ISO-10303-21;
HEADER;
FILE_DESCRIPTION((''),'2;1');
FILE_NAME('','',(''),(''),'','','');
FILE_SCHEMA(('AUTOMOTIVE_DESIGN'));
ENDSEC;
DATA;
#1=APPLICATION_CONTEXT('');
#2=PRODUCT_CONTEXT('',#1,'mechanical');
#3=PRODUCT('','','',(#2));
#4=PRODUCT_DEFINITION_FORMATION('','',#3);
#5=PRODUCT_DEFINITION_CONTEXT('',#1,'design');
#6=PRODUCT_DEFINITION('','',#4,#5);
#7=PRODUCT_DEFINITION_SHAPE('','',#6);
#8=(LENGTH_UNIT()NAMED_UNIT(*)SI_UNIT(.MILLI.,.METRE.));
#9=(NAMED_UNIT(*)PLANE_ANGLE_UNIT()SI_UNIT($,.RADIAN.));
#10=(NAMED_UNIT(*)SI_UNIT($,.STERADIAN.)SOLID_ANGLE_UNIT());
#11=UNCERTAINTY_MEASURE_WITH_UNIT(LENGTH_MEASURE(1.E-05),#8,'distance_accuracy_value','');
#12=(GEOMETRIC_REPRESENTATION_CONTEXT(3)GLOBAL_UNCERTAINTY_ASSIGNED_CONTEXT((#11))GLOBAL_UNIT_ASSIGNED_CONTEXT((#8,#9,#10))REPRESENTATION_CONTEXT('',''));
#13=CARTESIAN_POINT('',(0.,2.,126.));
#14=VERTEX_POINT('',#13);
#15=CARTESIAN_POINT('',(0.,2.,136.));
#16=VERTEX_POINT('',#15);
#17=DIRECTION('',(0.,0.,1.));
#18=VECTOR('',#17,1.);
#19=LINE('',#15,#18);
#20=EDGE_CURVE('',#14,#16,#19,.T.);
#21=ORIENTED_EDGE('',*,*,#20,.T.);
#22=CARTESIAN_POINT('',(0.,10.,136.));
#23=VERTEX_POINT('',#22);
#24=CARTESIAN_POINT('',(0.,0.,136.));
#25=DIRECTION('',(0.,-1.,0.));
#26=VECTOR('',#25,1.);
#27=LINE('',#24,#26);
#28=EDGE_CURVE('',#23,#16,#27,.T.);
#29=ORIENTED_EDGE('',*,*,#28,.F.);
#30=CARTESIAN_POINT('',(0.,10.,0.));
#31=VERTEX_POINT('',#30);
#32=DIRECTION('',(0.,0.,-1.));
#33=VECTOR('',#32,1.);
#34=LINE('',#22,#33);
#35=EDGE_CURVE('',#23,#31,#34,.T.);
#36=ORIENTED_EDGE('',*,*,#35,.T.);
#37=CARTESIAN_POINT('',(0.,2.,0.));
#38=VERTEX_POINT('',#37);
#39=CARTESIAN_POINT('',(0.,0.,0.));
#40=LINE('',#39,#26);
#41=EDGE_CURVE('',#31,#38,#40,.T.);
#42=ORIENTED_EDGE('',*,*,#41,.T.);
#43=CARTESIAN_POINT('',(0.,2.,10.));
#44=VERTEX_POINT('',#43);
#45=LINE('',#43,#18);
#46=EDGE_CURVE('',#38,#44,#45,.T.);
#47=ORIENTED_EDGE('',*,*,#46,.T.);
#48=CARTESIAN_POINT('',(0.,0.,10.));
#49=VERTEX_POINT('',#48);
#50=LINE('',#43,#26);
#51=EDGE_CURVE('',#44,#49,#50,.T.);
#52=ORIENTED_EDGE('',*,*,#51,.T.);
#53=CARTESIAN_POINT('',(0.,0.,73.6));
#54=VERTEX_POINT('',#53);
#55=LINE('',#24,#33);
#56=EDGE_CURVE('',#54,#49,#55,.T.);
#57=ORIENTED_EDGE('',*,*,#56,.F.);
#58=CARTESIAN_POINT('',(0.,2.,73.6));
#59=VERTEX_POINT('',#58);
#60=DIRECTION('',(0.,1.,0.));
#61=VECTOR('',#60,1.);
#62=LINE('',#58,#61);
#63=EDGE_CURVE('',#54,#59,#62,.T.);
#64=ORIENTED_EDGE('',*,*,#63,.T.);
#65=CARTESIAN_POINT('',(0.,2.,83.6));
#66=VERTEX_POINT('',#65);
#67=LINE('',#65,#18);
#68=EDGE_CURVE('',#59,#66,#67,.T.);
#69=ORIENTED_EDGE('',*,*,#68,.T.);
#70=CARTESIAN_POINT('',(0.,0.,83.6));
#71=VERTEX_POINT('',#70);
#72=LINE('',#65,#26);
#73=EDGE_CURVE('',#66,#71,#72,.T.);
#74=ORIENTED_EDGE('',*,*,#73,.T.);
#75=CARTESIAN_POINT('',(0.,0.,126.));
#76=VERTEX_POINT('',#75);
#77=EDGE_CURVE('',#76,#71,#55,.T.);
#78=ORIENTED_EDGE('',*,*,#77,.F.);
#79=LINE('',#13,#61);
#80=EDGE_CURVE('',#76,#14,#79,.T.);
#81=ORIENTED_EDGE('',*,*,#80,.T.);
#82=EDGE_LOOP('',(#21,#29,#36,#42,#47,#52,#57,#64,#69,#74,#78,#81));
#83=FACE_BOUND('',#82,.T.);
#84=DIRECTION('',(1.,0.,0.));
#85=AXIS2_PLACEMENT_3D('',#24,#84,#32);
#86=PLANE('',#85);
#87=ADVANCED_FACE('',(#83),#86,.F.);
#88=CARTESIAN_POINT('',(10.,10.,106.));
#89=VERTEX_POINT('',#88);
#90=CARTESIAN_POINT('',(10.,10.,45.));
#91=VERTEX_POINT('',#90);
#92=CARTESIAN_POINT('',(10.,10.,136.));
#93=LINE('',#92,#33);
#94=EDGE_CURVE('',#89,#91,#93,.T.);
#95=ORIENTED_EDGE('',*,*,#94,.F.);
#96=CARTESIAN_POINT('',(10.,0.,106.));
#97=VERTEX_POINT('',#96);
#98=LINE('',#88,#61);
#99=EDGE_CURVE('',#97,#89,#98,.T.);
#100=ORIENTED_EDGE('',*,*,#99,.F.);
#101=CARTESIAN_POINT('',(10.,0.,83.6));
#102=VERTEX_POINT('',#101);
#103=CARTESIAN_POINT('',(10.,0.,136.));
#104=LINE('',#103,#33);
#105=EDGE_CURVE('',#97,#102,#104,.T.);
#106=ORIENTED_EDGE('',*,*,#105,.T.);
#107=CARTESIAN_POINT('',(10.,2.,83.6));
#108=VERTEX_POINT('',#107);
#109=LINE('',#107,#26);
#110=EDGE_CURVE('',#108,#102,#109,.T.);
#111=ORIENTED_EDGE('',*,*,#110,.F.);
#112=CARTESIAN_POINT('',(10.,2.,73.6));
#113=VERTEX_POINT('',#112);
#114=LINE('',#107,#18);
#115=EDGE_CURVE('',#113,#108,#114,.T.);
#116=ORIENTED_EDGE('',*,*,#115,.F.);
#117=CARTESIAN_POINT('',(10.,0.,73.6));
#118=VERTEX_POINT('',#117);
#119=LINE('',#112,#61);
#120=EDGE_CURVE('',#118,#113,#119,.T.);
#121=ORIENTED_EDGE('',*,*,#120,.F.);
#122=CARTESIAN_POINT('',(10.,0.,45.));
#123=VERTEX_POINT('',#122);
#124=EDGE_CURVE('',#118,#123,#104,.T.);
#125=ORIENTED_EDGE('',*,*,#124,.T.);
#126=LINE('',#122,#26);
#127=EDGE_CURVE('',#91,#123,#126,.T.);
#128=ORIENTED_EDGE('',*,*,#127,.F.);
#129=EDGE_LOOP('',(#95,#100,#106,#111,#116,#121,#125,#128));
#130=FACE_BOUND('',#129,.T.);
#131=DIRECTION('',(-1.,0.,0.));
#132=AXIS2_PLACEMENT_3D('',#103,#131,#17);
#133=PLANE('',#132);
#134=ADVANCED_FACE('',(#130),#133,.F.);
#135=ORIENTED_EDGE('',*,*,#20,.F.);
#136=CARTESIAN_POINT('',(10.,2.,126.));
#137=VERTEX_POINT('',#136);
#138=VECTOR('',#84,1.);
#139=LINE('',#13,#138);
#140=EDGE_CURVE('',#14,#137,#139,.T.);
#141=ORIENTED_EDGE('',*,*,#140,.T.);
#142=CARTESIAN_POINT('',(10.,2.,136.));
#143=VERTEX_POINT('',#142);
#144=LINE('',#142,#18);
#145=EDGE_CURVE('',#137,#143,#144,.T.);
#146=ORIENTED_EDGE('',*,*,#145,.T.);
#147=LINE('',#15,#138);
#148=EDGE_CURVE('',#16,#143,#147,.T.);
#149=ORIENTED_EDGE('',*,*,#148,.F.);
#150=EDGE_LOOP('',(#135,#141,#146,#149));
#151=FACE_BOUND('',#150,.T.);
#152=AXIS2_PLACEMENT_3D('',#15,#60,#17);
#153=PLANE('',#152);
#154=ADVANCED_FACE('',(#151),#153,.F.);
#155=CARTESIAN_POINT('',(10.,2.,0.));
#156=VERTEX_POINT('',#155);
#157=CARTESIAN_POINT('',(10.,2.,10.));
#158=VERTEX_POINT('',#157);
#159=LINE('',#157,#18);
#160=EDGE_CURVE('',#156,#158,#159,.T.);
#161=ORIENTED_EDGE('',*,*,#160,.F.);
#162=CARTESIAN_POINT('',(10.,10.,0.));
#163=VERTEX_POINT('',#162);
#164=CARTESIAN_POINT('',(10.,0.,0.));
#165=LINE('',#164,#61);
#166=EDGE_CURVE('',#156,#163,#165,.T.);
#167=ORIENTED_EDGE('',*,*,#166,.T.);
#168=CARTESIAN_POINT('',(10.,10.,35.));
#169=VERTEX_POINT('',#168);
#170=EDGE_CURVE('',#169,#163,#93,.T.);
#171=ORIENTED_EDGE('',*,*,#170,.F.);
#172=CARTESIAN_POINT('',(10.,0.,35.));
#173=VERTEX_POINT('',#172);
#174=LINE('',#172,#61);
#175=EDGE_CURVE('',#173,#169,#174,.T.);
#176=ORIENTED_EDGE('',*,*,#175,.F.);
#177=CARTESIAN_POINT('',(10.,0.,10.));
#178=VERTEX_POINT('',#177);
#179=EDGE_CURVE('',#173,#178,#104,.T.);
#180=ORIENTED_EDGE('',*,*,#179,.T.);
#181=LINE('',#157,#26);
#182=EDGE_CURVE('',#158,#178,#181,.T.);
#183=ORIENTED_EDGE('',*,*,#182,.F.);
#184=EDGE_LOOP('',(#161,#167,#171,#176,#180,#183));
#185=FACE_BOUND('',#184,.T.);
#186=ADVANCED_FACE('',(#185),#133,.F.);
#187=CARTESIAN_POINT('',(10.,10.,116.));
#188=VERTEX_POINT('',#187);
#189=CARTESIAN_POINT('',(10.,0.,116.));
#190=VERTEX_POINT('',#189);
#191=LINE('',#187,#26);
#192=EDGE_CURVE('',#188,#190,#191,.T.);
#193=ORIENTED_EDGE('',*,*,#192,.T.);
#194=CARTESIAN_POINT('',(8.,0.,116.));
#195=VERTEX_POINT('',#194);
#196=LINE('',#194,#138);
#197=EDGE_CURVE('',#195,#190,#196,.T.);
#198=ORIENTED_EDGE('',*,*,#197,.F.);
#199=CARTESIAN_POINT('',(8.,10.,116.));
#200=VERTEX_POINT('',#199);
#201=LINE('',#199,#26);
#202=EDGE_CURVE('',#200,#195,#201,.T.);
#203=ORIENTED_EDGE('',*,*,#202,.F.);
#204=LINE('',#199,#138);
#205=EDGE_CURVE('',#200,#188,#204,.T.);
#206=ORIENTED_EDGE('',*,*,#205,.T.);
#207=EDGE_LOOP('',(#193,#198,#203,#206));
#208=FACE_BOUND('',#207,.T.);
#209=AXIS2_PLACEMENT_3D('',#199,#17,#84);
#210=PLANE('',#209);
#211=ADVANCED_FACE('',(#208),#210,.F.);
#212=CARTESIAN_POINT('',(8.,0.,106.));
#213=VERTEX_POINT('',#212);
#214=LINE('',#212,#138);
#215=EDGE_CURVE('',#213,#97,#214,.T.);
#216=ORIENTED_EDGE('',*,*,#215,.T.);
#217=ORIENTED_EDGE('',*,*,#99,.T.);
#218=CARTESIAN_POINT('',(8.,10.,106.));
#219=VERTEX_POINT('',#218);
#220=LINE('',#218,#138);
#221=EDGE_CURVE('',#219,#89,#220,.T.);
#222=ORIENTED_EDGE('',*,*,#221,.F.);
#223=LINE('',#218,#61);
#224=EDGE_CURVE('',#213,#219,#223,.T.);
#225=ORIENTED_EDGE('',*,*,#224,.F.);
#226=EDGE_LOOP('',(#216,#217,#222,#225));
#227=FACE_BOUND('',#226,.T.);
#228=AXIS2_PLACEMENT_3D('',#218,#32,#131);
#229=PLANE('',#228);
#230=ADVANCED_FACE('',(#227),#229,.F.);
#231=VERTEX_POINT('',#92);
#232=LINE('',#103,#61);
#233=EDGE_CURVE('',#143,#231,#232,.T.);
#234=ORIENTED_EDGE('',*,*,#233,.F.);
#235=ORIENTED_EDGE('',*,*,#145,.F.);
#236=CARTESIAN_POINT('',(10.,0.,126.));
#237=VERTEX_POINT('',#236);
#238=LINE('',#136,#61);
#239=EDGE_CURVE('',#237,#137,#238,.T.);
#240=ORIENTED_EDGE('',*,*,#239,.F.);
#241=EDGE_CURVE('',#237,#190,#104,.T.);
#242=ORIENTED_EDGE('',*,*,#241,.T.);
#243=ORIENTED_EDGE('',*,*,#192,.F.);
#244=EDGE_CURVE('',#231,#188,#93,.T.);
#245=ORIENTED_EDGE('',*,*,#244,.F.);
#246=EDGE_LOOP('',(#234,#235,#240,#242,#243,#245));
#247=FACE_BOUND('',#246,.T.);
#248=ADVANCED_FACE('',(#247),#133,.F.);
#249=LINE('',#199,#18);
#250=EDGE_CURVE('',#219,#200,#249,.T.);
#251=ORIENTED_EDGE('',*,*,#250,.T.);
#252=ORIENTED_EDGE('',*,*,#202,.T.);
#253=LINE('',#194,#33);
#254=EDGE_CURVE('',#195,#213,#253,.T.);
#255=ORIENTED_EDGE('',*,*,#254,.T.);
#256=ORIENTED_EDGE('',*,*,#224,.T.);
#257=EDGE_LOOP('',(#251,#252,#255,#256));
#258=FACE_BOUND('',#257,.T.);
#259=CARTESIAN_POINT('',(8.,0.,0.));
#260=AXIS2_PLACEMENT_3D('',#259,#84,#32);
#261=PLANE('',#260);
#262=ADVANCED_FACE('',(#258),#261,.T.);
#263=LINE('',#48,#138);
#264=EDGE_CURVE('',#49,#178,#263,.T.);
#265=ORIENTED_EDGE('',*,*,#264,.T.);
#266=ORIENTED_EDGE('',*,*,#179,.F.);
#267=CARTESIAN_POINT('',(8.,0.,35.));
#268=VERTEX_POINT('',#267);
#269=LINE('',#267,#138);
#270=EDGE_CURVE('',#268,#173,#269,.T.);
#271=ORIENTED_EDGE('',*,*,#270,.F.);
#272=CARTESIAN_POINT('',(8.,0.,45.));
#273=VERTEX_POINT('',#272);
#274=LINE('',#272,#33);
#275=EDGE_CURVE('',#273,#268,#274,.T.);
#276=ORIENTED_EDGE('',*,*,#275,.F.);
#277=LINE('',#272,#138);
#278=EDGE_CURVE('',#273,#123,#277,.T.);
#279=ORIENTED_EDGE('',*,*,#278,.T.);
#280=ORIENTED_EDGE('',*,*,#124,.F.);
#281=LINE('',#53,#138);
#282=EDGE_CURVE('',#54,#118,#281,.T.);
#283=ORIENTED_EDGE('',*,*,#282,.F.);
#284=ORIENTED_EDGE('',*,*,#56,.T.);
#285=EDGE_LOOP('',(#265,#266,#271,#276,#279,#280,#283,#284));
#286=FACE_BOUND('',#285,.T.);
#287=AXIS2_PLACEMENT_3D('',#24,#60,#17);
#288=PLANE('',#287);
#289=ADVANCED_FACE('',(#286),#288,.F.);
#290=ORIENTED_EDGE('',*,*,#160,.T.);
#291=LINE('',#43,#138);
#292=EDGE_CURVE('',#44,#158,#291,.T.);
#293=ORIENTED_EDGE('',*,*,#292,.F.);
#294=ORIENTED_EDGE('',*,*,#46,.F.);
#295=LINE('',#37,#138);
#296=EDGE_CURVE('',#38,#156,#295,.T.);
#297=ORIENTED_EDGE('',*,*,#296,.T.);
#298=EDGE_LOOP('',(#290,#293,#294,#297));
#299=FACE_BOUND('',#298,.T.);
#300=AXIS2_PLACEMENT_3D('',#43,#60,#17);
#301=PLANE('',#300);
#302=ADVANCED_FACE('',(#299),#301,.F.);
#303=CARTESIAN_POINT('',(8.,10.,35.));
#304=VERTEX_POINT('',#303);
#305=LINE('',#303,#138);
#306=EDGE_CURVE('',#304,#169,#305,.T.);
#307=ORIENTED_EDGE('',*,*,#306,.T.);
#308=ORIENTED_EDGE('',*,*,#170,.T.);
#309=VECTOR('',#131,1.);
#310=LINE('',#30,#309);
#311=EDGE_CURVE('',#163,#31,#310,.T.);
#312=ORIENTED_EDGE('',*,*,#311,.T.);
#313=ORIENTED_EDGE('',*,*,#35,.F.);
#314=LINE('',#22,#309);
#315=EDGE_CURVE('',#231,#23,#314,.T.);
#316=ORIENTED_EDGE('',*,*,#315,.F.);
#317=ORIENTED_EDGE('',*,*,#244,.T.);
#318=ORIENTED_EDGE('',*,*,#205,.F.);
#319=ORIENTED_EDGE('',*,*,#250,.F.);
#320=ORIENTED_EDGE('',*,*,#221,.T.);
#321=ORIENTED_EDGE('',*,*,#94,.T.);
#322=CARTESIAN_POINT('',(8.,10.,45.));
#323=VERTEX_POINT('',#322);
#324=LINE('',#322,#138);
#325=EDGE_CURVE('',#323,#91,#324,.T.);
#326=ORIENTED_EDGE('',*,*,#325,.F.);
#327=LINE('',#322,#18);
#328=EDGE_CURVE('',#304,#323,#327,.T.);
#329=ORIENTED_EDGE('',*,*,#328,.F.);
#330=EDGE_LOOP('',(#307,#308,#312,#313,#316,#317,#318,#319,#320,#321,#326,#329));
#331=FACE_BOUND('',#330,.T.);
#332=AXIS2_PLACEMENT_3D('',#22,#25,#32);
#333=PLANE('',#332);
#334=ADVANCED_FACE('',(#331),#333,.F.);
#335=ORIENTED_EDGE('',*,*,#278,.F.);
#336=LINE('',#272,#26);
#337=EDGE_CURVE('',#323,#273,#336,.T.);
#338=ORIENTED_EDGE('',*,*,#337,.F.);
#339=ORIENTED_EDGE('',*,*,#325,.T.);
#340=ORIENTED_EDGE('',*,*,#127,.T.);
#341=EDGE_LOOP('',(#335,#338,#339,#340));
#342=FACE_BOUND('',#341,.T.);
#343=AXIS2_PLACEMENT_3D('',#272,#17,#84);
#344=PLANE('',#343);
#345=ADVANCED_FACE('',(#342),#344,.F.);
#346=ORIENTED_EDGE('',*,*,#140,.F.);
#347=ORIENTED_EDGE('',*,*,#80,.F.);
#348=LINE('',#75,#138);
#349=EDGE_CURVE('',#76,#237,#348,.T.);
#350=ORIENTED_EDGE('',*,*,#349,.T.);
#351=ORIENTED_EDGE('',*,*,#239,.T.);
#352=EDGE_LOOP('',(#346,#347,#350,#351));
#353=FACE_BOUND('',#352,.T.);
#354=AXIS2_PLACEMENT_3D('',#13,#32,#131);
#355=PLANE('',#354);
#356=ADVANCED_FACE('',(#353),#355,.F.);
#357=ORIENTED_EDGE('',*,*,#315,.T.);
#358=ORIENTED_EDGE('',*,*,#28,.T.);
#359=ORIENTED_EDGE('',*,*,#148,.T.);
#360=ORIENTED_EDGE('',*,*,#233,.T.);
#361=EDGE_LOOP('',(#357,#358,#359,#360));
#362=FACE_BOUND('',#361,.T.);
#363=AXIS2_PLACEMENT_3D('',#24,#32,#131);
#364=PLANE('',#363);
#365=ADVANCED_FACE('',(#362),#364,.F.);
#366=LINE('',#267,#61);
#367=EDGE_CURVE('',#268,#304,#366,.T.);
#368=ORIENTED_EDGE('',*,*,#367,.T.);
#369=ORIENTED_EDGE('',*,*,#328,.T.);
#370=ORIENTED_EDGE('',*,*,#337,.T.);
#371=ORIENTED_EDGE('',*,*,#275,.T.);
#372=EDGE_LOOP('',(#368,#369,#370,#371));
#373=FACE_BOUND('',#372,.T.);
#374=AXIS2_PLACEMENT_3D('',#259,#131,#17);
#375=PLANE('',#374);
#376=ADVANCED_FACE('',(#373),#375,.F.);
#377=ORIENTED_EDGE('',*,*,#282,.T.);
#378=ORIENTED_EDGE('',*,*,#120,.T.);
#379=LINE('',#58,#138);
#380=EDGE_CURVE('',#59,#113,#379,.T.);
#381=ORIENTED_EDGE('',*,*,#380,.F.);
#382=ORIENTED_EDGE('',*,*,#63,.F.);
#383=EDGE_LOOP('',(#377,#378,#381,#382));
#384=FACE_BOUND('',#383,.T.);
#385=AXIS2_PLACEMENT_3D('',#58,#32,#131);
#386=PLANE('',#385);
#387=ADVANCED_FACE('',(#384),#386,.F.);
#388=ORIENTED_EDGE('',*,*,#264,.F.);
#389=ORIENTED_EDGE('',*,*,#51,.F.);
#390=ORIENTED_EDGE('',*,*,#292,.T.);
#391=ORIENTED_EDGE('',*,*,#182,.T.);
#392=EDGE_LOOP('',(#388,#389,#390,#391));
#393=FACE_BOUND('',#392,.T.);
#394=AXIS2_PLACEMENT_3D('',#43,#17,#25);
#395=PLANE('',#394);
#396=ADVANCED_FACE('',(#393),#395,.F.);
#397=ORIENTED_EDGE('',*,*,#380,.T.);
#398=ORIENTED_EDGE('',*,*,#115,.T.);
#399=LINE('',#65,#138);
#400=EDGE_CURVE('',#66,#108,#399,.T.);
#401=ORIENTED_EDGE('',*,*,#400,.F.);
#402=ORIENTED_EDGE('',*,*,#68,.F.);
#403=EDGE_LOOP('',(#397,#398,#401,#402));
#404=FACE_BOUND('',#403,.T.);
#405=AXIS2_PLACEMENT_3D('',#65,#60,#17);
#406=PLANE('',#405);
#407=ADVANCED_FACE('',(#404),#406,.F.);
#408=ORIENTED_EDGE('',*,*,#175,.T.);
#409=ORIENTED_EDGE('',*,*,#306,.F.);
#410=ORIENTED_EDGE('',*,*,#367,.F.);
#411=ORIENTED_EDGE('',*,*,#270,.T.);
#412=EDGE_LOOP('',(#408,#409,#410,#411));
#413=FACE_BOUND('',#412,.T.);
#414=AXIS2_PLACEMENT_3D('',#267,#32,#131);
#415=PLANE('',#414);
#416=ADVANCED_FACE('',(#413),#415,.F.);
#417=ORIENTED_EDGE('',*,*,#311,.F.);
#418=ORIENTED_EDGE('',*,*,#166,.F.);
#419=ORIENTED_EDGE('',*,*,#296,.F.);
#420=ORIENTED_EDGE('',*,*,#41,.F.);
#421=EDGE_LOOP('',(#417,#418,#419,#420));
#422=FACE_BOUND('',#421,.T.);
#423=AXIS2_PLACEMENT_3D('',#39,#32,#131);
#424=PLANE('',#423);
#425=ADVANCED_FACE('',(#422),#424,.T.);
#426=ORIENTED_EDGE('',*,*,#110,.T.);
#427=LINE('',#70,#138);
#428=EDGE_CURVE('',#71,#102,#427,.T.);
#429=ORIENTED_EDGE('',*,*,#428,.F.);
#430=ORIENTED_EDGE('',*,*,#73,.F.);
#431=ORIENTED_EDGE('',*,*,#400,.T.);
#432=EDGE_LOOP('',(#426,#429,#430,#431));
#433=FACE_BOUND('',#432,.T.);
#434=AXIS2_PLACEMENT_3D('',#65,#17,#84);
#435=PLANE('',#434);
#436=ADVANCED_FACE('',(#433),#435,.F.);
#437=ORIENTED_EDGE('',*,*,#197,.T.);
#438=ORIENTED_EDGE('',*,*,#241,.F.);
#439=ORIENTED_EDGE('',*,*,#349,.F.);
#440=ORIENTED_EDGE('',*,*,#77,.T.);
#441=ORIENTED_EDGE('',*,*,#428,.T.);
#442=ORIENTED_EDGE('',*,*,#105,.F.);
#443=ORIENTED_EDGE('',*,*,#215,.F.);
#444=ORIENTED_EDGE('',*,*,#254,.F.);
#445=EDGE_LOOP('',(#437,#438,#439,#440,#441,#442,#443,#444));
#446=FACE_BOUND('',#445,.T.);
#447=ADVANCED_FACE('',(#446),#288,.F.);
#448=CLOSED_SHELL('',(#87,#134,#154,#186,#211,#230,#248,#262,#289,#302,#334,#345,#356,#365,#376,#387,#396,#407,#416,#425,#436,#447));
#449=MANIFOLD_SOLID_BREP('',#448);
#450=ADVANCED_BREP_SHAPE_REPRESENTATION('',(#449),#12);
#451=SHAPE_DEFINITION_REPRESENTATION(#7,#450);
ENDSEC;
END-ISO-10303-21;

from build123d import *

# Parameters (mm, degrees)
ESQUISSE1_W             = 10
ESQUISSE1_H             = 10
BOSS_EXTRU_1_DEPTH      = 136
ESQUISSE2_W             = 10
ESQUISSE2_H             = 2
ENL_V_MAT_EXTRU_1_DEPTH = 137.733317081
ESQUISSE3_W             = 10
ESQUISSE3_H             = 10
ENL_V_MAT_EXTRU_2_DEPTH = 2
ESQUISSE4_W             = 10
ESQUISSE4_H             = 10
ENL_V_MAT_EXTRU_3_DEPTH = 2


with BuildPart() as part:
    # Esquisse1 → Boss.-Extru.1 (new body)
    with BuildSketch(Plane.XY):
        with Locations((5, 5)):
            Rectangle(ESQUISSE1_W, ESQUISSE1_H)
    extrude(amount=BOSS_EXTRU_1_DEPTH)

    # Esquisse2 → Enlèv. mat.-Extru.1 (cut, through all)
    with BuildSketch(Plane(origin=(10, 0, 0), x_dir=(0, 0, -1), z_dir=(1, 0, 0))):
        with Locations((-131, 1)):
            Rectangle(ESQUISSE2_W, ESQUISSE2_H)
        with Locations((-78.6, 1)):
            Rectangle(ESQUISSE2_W, ESQUISSE2_H)
        with Locations((-5, 1)):
            Rectangle(ESQUISSE2_W, ESQUISSE2_H)
    extrude(amount=-ENL_V_MAT_EXTRU_1_DEPTH, mode=Mode.SUBTRACT)

    # Esquisse3 → Enlèv. mat.-Extru.2 (cut)
    with BuildSketch(Plane(origin=(10, 0, 0), x_dir=(0, 0, -1), z_dir=(1, 0, 0))):
        with Locations((-40, 5)):
            Rectangle(ESQUISSE3_W, ESQUISSE3_H)
    extrude(amount=-ENL_V_MAT_EXTRU_2_DEPTH, mode=Mode.SUBTRACT)

    # Esquisse4 → Enlèv. mat.-Extru.3 (cut)
    with BuildSketch(Plane(origin=(10, 0, 0), x_dir=(0, 0, -1), z_dir=(1, 0, 0))):
        with Locations((-111, 5)):
            Rectangle(ESQUISSE4_W, ESQUISSE4_H)
    extrude(amount=-ENL_V_MAT_EXTRU_3_DEPTH, mode=Mode.SUBTRACT)


solid = part.part
